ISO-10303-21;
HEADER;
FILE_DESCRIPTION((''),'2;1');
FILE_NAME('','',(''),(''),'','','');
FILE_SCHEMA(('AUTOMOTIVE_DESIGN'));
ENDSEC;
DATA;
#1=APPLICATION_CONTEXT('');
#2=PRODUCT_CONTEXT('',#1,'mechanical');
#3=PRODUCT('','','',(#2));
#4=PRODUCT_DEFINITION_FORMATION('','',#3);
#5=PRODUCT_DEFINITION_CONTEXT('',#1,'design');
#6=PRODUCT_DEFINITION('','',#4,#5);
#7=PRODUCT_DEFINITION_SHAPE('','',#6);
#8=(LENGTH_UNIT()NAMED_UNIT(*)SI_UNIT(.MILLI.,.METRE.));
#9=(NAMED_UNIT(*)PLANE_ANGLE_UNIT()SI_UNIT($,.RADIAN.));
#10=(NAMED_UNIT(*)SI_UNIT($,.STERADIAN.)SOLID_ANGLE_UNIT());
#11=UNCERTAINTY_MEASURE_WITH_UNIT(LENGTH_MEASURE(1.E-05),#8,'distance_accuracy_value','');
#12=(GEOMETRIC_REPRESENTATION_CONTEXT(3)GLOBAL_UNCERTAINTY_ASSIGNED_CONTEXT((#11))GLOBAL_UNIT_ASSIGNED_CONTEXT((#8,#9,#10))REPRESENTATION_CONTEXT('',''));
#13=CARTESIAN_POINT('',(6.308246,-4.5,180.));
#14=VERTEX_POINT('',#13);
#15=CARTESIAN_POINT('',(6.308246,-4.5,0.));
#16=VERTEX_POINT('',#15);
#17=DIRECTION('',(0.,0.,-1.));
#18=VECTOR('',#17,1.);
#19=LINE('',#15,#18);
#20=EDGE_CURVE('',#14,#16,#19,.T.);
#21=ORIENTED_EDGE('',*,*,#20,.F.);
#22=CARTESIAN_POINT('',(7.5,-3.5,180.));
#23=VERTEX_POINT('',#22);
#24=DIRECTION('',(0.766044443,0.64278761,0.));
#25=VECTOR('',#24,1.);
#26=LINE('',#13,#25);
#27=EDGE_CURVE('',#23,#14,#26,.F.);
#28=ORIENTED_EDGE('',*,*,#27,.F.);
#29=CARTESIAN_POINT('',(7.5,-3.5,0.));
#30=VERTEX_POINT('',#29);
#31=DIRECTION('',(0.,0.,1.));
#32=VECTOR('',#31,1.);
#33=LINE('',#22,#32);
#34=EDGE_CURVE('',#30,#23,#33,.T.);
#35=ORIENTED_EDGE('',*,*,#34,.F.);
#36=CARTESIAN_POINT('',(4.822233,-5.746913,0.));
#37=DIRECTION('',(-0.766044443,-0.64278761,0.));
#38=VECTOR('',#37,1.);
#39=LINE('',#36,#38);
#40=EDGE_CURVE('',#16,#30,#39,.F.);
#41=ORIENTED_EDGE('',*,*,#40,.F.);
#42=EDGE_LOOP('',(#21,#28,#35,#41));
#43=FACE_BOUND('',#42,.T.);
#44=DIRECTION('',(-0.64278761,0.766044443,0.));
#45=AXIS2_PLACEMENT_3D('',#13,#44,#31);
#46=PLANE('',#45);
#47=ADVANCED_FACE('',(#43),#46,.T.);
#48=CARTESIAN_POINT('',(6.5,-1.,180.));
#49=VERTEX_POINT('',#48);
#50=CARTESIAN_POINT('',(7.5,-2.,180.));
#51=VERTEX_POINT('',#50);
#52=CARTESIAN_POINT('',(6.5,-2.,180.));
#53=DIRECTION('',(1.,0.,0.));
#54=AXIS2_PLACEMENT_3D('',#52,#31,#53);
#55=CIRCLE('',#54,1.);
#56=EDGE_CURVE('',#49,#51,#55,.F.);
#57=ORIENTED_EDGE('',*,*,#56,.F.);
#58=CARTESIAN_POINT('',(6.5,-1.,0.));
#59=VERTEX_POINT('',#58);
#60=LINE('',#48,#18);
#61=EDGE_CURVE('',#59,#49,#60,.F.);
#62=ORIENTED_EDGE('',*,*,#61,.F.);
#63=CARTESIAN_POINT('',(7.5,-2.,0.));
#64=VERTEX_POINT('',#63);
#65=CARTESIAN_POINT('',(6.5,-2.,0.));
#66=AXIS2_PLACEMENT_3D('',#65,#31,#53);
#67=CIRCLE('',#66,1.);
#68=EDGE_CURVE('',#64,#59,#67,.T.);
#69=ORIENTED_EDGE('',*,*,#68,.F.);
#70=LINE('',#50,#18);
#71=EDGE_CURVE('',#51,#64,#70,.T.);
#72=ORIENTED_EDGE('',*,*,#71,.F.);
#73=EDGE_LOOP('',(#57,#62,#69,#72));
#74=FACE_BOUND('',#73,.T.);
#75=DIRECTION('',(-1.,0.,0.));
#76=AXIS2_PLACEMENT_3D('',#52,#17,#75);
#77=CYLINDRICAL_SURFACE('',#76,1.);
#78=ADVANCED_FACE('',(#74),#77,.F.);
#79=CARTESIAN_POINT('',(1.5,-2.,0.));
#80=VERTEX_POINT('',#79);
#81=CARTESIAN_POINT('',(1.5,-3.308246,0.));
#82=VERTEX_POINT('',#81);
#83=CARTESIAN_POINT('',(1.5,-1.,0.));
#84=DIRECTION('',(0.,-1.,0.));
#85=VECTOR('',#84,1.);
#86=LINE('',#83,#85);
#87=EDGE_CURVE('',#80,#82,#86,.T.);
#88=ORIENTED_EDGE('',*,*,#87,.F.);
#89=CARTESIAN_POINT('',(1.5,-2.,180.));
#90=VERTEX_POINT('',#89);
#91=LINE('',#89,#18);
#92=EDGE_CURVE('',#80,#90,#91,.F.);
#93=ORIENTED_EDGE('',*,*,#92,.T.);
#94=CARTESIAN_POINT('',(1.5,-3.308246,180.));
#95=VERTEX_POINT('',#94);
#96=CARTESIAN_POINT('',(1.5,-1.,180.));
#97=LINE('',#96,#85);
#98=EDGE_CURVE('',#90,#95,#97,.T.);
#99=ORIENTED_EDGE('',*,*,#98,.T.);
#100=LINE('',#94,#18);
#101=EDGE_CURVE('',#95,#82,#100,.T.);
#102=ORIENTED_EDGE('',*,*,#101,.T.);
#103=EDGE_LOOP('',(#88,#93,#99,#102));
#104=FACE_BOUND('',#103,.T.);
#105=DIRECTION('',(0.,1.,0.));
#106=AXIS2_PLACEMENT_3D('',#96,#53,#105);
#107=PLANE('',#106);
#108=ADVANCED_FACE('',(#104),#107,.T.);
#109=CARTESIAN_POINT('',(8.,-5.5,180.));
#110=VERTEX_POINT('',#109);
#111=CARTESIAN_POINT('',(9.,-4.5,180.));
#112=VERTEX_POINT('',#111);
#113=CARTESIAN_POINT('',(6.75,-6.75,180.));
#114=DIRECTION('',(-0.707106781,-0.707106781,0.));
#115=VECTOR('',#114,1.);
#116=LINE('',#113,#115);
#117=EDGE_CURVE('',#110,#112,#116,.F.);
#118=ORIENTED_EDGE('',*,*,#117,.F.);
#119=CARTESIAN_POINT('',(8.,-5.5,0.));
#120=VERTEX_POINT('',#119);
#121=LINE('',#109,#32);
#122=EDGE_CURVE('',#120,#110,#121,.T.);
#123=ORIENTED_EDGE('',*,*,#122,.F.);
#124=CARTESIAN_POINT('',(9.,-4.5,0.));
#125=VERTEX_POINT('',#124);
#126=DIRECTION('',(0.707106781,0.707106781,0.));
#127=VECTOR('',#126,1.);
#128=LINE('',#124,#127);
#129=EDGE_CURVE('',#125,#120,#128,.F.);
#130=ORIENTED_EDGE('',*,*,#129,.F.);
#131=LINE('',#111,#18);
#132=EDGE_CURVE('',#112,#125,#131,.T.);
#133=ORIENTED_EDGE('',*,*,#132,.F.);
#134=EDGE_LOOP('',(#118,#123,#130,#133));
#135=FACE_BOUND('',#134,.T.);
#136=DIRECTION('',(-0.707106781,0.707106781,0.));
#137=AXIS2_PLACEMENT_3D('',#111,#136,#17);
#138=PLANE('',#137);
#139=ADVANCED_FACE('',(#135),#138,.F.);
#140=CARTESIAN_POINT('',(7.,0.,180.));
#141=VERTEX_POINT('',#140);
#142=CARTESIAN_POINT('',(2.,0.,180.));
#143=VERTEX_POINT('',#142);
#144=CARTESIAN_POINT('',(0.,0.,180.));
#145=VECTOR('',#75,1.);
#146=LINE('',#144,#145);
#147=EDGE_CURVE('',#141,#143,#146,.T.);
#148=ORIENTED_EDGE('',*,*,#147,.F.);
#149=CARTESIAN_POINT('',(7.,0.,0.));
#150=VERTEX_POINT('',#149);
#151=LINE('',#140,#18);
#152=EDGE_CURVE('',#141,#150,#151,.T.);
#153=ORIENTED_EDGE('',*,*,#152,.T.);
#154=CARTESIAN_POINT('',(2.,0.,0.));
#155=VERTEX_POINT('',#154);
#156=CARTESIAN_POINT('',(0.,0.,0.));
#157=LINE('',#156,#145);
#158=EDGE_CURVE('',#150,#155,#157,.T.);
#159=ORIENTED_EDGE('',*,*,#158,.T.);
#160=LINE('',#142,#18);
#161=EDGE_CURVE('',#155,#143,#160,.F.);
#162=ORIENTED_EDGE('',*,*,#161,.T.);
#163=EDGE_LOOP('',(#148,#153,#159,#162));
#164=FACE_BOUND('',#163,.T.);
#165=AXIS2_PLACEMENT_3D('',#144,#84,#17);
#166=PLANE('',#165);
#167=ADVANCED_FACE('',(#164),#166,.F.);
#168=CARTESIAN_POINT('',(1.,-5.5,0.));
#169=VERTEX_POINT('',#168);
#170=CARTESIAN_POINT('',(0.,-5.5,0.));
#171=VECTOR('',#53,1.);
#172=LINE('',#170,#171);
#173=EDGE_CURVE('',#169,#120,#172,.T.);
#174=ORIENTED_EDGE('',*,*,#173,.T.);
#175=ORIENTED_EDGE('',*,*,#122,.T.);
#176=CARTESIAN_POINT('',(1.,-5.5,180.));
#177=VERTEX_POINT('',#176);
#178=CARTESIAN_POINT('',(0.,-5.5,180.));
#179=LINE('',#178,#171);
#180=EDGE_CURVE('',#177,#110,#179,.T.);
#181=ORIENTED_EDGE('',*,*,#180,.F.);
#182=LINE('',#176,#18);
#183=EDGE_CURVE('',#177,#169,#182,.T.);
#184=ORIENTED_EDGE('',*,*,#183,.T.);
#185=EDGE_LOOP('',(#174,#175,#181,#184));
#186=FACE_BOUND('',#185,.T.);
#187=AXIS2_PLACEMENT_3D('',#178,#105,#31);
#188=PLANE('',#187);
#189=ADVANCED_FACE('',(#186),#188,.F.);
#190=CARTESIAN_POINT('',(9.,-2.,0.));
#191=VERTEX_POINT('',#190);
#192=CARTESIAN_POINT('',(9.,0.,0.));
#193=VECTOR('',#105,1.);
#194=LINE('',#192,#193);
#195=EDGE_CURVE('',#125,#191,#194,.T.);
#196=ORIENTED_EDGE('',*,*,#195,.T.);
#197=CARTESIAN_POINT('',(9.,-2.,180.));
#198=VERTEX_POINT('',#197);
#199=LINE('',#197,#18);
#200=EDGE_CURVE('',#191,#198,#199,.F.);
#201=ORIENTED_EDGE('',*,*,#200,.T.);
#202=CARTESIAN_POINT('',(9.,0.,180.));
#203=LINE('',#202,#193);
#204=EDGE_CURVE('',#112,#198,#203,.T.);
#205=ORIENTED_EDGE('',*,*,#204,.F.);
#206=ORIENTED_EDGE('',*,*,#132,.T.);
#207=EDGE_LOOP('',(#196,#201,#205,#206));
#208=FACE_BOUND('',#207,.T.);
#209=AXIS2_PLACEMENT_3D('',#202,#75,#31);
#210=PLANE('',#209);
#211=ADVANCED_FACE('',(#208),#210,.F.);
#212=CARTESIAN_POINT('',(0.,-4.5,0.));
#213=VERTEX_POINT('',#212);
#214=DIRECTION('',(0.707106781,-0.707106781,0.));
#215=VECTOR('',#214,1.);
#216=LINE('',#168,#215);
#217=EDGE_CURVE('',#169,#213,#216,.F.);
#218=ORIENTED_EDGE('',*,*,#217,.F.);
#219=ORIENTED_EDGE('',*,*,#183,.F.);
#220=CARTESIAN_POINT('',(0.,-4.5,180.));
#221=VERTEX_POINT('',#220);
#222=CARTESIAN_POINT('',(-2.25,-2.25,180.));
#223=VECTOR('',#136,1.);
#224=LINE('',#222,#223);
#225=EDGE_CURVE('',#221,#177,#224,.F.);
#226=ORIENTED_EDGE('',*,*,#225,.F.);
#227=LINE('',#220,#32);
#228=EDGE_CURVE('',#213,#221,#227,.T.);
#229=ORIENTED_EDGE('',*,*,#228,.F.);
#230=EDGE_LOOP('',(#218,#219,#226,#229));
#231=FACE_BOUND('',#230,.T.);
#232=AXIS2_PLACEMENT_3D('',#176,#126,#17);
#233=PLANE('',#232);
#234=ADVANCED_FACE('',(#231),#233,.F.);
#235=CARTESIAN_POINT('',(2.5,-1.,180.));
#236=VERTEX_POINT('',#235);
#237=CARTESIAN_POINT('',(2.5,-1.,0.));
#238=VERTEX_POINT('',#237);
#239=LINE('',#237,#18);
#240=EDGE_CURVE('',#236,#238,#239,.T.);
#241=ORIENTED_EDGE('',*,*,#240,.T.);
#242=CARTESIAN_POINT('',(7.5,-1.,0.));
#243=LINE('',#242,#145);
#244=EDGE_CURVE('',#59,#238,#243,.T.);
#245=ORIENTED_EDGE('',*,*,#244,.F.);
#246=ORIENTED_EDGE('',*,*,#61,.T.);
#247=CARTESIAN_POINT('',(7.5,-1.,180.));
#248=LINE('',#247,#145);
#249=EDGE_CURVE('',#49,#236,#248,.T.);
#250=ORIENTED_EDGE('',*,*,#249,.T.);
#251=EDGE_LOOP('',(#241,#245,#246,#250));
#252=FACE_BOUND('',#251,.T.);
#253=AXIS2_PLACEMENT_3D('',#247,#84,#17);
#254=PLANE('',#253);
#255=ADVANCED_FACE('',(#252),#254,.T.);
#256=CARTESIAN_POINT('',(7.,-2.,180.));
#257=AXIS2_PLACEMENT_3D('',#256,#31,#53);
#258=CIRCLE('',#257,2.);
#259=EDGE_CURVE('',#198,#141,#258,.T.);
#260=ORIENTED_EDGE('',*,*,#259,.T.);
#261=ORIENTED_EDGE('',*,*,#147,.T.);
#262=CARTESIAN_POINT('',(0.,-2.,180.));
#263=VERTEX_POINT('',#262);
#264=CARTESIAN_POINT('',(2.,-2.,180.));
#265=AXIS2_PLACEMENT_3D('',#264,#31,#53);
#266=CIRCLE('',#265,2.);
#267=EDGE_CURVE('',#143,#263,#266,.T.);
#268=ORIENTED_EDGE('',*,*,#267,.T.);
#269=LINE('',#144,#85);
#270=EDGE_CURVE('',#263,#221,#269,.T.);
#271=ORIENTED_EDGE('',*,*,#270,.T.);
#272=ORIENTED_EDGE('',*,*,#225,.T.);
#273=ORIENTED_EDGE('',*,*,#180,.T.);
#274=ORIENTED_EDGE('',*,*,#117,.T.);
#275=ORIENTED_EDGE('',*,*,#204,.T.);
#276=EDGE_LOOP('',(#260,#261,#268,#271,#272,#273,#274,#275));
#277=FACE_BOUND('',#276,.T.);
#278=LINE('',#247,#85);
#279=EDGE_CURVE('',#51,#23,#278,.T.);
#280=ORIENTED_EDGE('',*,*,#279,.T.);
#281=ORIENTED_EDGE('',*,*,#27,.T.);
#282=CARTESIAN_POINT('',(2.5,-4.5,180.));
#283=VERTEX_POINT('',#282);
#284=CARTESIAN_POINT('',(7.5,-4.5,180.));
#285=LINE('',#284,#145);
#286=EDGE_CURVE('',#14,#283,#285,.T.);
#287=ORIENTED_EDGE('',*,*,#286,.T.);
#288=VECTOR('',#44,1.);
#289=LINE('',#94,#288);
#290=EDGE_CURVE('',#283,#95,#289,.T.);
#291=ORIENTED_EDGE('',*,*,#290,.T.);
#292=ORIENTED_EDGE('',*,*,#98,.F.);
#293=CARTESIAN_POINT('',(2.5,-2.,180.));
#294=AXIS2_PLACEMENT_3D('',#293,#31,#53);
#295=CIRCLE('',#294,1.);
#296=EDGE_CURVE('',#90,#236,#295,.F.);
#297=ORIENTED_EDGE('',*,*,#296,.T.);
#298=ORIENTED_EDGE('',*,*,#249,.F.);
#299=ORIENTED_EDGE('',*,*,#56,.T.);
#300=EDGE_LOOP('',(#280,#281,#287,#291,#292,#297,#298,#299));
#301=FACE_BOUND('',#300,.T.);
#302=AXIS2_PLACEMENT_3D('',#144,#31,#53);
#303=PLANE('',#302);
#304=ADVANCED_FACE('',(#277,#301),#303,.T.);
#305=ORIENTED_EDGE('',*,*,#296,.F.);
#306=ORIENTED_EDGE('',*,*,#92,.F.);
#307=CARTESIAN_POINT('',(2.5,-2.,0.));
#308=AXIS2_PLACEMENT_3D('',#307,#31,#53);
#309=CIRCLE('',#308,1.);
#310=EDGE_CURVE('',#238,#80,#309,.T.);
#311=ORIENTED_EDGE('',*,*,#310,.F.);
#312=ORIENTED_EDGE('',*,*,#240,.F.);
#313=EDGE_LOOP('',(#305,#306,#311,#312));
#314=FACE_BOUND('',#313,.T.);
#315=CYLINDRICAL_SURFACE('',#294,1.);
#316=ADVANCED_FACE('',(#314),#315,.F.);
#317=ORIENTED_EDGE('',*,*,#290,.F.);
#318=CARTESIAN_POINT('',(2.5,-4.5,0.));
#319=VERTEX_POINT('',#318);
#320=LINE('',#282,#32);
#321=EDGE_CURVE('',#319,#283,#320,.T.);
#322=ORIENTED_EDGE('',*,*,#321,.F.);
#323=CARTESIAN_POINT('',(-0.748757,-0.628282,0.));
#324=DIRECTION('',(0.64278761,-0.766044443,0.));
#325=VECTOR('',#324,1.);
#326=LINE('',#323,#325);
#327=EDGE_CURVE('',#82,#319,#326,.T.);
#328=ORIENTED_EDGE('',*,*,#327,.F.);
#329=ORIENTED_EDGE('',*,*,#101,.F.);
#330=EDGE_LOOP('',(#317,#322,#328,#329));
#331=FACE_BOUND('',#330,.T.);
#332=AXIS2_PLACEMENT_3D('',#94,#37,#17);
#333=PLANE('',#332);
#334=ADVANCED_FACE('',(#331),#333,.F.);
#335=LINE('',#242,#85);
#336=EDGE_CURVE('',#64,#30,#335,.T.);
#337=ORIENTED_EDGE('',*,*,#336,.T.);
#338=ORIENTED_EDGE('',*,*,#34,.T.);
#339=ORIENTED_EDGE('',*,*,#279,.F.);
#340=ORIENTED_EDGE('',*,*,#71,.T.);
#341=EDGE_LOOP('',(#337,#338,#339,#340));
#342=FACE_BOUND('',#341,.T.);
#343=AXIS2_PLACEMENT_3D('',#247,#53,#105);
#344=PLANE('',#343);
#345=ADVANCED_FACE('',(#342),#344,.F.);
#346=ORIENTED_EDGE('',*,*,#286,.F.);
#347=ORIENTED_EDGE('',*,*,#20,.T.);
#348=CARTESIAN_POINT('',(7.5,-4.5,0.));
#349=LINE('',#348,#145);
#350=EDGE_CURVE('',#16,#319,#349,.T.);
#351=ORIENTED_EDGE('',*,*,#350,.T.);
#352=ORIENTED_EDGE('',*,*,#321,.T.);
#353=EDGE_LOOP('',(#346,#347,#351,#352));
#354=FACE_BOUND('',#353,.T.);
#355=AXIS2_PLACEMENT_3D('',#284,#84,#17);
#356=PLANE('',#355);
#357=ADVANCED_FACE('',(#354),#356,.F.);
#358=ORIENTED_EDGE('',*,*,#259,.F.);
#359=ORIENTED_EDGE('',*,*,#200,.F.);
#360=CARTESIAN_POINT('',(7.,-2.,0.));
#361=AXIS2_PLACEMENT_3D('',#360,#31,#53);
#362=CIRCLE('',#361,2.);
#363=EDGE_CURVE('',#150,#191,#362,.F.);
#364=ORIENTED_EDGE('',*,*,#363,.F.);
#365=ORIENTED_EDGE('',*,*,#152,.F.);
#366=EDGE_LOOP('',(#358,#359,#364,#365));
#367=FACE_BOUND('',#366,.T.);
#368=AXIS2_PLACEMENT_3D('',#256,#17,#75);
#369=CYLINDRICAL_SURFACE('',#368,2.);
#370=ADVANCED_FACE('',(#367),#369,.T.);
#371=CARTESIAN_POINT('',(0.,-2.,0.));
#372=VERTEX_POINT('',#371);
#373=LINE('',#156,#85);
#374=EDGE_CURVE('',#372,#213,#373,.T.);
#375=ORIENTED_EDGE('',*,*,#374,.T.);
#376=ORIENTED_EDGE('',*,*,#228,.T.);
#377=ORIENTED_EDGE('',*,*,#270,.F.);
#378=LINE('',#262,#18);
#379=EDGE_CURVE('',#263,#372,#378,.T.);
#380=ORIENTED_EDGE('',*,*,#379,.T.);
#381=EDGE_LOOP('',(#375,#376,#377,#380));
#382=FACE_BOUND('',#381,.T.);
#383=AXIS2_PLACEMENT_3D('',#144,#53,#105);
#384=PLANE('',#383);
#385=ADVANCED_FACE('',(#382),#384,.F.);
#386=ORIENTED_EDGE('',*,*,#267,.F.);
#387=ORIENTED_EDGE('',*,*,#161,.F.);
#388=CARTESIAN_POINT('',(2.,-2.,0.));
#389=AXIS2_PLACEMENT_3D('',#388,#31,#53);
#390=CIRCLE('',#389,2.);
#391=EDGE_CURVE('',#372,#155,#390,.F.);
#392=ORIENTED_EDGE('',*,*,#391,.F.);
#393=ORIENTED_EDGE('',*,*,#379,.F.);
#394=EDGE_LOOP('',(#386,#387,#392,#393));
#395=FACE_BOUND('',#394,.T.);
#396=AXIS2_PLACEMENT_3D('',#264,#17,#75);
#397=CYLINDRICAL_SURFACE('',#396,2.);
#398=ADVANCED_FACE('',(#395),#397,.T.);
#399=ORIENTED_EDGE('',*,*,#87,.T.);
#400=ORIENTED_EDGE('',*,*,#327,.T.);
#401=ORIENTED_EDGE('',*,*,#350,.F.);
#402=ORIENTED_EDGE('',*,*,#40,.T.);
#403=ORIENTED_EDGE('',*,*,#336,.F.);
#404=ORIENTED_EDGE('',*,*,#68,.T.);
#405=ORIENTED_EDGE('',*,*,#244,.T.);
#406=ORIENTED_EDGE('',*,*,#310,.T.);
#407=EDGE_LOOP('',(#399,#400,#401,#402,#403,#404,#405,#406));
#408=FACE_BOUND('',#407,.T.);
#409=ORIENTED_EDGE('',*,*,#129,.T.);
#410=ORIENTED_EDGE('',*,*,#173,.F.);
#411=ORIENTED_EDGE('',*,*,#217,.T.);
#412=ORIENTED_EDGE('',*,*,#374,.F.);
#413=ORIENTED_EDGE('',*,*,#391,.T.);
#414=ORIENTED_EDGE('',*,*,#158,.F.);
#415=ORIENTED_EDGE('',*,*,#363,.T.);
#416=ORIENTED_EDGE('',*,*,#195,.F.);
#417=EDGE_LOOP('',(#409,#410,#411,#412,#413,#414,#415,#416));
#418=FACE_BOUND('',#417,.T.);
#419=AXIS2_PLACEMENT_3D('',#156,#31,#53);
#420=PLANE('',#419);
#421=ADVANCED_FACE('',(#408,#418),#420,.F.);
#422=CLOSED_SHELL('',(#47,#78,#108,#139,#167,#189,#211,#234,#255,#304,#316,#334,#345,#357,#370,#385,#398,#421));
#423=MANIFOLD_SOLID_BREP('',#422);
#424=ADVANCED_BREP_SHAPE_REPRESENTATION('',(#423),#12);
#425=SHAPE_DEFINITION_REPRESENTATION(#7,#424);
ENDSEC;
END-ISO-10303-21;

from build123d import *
from OCP.BRepFilletAPI import BRepFilletAPI_MakeChamfer

# Parameters (mm, degrees)
SKETCH1_W           = 9
SKETCH1_H           = 5.5
BOSS_EXTRUDE1_DEPTH = 180
FILLET1_R           = 2
CHAMFER1_SIZE       = 1
SKETCH2_W           = 6
SKETCH2_H           = 3.5
CUT_EXTRUDE2_DEPTH  = 181.30876296
FILLET2_R           = 1
CHAMFER2_SIZE       = 1
CHAMFER2_SIZE2      = 1.191753593


with BuildPart() as part:
    # Sketch1 → Boss-Extrude1 (new body)
    with BuildSketch(Plane.XY):
        with Locations((4.5, -2.75)):
            Rectangle(SKETCH1_W, SKETCH1_H)
    extrude(amount=BOSS_EXTRUDE1_DEPTH)

    # Fillet1
    fillet1_edges = [part.edges().sort_by_distance(p)[0] for p in [
        (0, 0, 90),
        (9, 0, 90),
    ]]
    fillet(fillet1_edges, radius=FILLET1_R)

    # Chamfer1
    chamfer1_edges = [part.edges().sort_by_distance(p)[0] for p in [
        (9, -5.5, 90),
        (0, -5.5, 90),
    ]]
    chamfer(chamfer1_edges, length=CHAMFER1_SIZE)

    # Sketch2 → Cut-Extrude2 (cut, through all)
    with BuildSketch(Plane(origin=(0, 0, 0), x_dir=(-1, 0, 0), z_dir=(0, 0, -1))):
        with Locations((-4.5, -2.75)):
            Rectangle(SKETCH2_W, SKETCH2_H)
    extrude(amount=-CUT_EXTRUDE2_DEPTH, mode=Mode.SUBTRACT)

    # Fillet2
    fillet2_edges = [part.edges().sort_by_distance(p)[0] for p in [
        (7.5, -1, 90),
        (1.5, -1, 90),
    ]]
    fillet(fillet2_edges, radius=FILLET2_R)

    # Chamfer2: one chamfer whose edges measure the first distance from different faces: ONE call of the kernel's chamfer builder (chamfer() names one face for all edges)
    chamfer2_edges_1 = [part.edges().sort_by_distance(p)[0] for p in [
        (1.5, -4.5, 90),
    ]]
    chamfer2_side_1 = [part.faces().sort_by_distance(p)[0] for p in [
        (4.5, -4.5, 90),
    ]]
    chamfer2_edges_2 = [part.edges().sort_by_distance(p)[0] for p in [
        (7.5, -4.5, 90),
    ]]
    chamfer2_side_2 = [part.faces().sort_by_distance(p)[0] for p in [
        (7.5, -3.25, 90),
    ]]
    chamfer2 = BRepFilletAPI_MakeChamfer(part.part.solid().wrapped)
    for e in chamfer2_edges_1:
        chamfer2.Add(CHAMFER2_SIZE, CHAMFER2_SIZE2, e.wrapped, chamfer2_side_1[0].wrapped)  # the first distance lies on this face
    for e in chamfer2_edges_2:
        chamfer2.Add(CHAMFER2_SIZE, CHAMFER2_SIZE2, e.wrapped, chamfer2_side_2[0].wrapped)  # the first distance lies on this face
    add(Compound.cast(chamfer2.Shape()), mode=Mode.REPLACE)


solid = part.part
